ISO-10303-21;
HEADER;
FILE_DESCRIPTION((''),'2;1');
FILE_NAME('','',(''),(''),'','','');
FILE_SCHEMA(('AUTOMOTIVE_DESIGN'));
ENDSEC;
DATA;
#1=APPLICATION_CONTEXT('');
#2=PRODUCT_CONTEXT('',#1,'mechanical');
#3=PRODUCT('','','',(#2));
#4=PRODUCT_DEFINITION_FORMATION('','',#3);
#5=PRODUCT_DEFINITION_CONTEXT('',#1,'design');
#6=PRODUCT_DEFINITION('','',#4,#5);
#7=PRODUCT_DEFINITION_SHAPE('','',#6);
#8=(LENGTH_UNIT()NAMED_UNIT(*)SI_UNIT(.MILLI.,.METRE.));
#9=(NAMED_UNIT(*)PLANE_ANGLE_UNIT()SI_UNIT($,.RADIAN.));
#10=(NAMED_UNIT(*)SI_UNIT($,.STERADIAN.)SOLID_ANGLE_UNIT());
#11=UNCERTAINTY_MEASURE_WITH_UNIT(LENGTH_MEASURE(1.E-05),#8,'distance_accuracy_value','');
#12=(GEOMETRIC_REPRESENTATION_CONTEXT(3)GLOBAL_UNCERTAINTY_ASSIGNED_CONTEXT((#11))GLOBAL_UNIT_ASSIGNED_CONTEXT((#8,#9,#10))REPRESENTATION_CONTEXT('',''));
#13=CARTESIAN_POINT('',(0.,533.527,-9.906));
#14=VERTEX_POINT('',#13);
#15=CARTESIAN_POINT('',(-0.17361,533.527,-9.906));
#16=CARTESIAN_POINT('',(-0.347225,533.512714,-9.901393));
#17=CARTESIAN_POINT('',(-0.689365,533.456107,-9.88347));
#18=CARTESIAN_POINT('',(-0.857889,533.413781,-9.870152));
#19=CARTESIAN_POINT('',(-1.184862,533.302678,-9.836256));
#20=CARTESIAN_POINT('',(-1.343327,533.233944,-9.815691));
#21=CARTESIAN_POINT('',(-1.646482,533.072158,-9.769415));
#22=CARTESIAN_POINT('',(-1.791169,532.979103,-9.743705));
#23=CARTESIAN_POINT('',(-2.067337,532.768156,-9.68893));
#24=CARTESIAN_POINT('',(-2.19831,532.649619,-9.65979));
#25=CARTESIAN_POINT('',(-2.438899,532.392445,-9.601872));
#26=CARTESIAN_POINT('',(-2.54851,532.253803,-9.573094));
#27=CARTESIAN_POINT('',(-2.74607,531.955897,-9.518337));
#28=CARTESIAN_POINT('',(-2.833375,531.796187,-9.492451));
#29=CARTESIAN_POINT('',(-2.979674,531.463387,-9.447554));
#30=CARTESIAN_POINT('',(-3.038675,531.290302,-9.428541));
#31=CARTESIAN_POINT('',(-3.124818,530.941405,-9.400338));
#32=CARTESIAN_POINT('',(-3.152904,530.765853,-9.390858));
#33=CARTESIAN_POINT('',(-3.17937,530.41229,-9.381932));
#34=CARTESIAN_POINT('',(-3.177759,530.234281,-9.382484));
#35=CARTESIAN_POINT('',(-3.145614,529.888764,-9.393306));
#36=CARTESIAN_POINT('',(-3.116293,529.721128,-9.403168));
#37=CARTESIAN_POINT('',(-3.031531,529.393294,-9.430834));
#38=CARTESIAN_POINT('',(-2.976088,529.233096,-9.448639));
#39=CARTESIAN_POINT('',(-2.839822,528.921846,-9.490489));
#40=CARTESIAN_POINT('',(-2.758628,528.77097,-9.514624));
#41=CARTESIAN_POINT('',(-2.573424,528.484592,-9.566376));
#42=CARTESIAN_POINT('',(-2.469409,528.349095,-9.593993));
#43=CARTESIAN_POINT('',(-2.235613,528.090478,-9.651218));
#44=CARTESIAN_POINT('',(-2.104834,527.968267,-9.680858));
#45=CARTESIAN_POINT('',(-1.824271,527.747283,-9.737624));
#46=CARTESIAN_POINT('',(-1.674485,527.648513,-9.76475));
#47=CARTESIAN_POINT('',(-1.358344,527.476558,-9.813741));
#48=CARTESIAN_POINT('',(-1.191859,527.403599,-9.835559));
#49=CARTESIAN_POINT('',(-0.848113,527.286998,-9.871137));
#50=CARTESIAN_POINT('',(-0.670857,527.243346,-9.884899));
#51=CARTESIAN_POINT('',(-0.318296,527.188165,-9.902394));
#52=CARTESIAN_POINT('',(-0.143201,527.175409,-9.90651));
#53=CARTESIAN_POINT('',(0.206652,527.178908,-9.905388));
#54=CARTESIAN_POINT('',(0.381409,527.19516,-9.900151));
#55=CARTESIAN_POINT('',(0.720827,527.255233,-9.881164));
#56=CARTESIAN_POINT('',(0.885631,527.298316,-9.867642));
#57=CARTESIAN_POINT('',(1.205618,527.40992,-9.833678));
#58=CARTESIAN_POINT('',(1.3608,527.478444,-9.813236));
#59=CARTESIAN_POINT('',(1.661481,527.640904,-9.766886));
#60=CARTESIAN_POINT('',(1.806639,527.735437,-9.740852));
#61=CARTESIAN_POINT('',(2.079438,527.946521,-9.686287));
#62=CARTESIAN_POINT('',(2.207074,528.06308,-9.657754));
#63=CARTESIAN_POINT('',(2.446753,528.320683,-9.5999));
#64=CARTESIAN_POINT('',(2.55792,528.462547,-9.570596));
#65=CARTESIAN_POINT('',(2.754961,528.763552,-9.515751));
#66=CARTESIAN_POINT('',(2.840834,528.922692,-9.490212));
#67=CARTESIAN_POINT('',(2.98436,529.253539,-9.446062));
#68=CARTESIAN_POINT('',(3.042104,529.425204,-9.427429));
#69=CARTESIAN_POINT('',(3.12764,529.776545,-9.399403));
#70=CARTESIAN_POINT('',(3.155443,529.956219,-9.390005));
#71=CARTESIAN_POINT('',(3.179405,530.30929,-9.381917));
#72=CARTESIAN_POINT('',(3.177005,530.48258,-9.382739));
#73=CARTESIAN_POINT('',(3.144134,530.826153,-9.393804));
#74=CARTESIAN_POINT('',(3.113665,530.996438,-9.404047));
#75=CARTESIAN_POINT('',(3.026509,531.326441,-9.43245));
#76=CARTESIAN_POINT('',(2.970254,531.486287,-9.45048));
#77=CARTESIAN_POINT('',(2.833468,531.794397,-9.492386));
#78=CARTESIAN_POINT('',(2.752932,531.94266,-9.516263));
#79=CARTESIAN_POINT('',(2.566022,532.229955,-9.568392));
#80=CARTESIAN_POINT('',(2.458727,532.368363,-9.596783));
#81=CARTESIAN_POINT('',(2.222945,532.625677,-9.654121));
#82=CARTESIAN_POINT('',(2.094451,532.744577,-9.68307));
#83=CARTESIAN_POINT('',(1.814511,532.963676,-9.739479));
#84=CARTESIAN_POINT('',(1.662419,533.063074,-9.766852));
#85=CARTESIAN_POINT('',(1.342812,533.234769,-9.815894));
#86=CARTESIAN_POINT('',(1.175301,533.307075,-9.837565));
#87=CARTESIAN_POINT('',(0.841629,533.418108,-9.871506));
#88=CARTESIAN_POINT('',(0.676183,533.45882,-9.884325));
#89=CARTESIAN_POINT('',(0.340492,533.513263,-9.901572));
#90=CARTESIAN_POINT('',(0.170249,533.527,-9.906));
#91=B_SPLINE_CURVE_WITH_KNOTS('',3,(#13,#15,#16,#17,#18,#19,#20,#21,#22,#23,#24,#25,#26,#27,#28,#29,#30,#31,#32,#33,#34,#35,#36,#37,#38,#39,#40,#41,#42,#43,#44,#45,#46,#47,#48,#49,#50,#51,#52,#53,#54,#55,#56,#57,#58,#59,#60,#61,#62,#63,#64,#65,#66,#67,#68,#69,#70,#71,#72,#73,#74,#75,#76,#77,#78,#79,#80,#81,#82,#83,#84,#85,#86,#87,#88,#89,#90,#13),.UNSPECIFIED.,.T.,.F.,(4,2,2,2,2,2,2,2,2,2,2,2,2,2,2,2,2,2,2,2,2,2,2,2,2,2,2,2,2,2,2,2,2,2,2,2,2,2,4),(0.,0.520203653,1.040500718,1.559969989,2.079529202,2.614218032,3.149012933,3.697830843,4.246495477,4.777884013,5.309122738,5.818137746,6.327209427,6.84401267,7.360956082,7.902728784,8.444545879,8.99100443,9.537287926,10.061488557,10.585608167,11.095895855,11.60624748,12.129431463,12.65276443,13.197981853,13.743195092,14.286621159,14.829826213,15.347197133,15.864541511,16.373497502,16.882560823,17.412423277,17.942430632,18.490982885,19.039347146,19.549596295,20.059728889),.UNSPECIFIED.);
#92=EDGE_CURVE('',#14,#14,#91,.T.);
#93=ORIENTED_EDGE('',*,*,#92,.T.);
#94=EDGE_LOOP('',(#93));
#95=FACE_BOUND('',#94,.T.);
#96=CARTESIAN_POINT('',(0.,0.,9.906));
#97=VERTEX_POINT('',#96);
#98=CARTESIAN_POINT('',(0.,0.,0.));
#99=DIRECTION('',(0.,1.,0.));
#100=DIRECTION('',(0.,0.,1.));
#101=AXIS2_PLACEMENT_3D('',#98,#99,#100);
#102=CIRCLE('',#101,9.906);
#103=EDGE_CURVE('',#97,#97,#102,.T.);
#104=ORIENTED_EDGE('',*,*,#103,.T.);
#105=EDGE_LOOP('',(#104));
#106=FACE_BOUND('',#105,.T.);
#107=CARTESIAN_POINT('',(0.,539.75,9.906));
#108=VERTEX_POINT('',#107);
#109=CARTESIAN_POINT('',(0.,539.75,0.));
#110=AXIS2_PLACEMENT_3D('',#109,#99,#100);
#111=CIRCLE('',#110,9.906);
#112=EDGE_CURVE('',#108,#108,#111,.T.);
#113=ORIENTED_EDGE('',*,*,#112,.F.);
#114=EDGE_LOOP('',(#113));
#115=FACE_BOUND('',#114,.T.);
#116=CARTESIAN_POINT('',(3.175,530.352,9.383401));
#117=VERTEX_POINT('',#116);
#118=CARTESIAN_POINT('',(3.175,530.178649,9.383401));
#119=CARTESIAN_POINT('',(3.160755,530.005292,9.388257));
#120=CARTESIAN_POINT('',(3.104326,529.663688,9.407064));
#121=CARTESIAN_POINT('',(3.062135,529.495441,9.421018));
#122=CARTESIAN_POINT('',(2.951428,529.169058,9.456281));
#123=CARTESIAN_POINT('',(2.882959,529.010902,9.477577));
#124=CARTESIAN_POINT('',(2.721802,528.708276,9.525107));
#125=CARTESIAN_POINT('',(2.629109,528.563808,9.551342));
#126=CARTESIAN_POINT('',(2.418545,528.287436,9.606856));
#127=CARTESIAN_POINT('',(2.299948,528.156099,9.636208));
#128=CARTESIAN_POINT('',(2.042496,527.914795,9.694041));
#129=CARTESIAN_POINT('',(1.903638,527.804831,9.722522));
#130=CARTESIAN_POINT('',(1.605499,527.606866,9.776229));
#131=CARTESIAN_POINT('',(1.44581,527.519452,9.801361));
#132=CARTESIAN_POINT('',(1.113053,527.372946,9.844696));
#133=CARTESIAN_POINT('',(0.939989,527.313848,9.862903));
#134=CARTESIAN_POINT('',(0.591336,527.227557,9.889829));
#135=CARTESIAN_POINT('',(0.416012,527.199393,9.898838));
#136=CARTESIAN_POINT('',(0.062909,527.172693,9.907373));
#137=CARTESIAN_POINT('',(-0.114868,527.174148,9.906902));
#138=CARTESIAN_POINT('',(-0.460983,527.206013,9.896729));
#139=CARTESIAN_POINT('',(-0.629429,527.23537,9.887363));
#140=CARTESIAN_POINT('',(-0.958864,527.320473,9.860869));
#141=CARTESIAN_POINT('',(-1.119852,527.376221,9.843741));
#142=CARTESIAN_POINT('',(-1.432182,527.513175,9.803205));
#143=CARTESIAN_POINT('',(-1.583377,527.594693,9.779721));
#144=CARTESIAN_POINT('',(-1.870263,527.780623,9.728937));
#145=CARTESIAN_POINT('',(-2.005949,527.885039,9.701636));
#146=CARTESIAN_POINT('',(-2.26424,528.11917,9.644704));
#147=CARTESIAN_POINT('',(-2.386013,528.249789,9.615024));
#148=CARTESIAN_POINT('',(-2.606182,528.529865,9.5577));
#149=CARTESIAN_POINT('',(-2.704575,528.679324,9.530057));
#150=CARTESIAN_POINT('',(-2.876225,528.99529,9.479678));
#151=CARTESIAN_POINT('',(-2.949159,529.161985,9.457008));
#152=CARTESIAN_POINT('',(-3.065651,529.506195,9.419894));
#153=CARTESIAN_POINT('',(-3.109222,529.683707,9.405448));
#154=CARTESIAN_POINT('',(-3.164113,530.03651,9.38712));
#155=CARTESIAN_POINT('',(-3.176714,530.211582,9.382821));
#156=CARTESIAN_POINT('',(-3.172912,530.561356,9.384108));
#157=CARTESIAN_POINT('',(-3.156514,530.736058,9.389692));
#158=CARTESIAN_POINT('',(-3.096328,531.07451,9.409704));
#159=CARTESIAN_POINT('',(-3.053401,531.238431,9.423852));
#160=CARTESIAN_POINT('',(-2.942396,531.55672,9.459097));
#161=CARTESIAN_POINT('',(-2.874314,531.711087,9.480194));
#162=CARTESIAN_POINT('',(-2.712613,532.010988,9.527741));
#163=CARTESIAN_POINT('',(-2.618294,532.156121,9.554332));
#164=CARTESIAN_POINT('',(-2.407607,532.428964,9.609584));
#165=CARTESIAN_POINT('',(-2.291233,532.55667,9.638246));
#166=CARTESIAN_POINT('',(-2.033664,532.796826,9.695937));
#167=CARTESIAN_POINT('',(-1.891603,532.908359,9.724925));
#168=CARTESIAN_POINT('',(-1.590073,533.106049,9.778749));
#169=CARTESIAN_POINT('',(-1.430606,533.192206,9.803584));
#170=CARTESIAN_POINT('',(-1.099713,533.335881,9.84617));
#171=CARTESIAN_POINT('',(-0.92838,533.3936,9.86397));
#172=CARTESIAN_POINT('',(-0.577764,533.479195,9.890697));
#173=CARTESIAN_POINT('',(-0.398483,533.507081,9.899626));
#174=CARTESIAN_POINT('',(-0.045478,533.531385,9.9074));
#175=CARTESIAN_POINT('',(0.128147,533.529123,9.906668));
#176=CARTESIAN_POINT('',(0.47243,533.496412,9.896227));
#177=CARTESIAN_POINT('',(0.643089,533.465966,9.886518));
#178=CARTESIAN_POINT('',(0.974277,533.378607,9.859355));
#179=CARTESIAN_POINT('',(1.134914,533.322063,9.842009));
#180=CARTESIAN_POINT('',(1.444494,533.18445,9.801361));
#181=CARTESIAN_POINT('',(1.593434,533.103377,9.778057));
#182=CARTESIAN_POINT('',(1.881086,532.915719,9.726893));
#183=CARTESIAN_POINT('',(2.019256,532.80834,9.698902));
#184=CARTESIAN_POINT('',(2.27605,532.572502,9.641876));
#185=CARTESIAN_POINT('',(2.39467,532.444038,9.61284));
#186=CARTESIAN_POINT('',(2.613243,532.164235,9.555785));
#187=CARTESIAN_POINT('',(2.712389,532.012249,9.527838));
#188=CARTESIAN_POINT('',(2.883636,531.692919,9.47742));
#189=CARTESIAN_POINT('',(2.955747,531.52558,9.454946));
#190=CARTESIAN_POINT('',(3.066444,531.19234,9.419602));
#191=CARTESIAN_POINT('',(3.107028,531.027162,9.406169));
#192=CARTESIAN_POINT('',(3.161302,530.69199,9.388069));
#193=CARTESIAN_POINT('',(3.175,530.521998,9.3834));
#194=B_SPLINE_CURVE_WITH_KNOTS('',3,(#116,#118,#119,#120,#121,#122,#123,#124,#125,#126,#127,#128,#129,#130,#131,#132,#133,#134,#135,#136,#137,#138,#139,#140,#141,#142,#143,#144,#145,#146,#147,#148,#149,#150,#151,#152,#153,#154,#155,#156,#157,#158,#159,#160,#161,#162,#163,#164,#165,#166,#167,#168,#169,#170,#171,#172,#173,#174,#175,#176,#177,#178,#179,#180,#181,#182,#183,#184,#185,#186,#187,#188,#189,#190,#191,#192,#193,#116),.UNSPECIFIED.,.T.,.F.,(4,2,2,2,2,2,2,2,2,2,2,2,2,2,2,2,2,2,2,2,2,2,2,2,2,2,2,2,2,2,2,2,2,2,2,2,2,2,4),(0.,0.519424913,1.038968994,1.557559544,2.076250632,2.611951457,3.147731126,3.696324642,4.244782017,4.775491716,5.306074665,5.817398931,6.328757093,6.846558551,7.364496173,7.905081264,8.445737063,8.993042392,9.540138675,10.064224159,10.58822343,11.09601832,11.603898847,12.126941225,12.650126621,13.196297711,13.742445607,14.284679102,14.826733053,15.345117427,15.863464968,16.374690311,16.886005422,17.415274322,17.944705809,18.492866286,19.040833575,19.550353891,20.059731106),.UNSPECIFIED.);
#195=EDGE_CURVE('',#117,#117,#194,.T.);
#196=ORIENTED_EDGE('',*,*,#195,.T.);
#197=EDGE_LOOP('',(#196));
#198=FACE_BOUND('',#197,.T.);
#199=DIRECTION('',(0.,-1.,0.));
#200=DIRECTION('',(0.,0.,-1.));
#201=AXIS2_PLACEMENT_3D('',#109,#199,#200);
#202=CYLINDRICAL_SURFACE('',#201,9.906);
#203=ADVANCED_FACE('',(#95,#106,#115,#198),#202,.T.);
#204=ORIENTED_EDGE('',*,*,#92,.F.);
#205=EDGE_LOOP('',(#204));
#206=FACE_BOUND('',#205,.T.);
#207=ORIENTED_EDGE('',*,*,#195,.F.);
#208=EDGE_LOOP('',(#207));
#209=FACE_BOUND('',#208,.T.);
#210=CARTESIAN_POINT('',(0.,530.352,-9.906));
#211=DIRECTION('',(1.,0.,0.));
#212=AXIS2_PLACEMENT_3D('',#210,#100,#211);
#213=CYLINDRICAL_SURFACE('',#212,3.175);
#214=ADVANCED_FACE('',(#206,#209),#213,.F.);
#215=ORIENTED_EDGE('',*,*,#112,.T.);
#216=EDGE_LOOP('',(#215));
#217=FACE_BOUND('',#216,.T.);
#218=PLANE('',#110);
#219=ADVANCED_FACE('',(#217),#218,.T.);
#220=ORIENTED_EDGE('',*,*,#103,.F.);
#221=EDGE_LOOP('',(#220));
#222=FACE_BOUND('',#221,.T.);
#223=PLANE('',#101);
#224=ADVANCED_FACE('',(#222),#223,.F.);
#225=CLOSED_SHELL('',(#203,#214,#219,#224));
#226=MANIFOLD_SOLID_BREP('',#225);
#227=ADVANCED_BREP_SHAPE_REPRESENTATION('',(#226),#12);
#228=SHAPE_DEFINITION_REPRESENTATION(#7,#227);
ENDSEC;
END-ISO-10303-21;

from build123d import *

# Parameters (mm, degrees)
SKETCH1_R               = 9.906
BOSS_EXTRUDE1_DEPTH     = 539.75
CUT_EXTRUDE1_DEPTH      = 540.931773627
CUT_EXTRUDE1_DEPTH_BACK = 540.931773627
SKETCH2_R               = 3.175


with BuildPart() as part:
    # Sketch1 → Boss-Extrude1 (new body)
    with BuildSketch(Plane(origin=(0, 0, 0), x_dir=(1, 0, 0), z_dir=(0, 1, 0))):
        with Locations(Location((0, 0, 0), (0, 0, 270))):
            Circle(SKETCH1_R)
    extrude(amount=BOSS_EXTRUDE1_DEPTH)

    # Sketch2 → Cut-Extrude1 (cut, two sides: drawn at the far end of the back side and taken through both)
    with BuildSketch(Plane.XY.offset(-CUT_EXTRUDE1_DEPTH_BACK)):
        with Locations(Location((0, 530.352, 0), (0, 0, 89.99999999))):
            Circle(SKETCH2_R)
    extrude(amount=CUT_EXTRUDE1_DEPTH + CUT_EXTRUDE1_DEPTH_BACK, mode=Mode.SUBTRACT)


solid = part.part
